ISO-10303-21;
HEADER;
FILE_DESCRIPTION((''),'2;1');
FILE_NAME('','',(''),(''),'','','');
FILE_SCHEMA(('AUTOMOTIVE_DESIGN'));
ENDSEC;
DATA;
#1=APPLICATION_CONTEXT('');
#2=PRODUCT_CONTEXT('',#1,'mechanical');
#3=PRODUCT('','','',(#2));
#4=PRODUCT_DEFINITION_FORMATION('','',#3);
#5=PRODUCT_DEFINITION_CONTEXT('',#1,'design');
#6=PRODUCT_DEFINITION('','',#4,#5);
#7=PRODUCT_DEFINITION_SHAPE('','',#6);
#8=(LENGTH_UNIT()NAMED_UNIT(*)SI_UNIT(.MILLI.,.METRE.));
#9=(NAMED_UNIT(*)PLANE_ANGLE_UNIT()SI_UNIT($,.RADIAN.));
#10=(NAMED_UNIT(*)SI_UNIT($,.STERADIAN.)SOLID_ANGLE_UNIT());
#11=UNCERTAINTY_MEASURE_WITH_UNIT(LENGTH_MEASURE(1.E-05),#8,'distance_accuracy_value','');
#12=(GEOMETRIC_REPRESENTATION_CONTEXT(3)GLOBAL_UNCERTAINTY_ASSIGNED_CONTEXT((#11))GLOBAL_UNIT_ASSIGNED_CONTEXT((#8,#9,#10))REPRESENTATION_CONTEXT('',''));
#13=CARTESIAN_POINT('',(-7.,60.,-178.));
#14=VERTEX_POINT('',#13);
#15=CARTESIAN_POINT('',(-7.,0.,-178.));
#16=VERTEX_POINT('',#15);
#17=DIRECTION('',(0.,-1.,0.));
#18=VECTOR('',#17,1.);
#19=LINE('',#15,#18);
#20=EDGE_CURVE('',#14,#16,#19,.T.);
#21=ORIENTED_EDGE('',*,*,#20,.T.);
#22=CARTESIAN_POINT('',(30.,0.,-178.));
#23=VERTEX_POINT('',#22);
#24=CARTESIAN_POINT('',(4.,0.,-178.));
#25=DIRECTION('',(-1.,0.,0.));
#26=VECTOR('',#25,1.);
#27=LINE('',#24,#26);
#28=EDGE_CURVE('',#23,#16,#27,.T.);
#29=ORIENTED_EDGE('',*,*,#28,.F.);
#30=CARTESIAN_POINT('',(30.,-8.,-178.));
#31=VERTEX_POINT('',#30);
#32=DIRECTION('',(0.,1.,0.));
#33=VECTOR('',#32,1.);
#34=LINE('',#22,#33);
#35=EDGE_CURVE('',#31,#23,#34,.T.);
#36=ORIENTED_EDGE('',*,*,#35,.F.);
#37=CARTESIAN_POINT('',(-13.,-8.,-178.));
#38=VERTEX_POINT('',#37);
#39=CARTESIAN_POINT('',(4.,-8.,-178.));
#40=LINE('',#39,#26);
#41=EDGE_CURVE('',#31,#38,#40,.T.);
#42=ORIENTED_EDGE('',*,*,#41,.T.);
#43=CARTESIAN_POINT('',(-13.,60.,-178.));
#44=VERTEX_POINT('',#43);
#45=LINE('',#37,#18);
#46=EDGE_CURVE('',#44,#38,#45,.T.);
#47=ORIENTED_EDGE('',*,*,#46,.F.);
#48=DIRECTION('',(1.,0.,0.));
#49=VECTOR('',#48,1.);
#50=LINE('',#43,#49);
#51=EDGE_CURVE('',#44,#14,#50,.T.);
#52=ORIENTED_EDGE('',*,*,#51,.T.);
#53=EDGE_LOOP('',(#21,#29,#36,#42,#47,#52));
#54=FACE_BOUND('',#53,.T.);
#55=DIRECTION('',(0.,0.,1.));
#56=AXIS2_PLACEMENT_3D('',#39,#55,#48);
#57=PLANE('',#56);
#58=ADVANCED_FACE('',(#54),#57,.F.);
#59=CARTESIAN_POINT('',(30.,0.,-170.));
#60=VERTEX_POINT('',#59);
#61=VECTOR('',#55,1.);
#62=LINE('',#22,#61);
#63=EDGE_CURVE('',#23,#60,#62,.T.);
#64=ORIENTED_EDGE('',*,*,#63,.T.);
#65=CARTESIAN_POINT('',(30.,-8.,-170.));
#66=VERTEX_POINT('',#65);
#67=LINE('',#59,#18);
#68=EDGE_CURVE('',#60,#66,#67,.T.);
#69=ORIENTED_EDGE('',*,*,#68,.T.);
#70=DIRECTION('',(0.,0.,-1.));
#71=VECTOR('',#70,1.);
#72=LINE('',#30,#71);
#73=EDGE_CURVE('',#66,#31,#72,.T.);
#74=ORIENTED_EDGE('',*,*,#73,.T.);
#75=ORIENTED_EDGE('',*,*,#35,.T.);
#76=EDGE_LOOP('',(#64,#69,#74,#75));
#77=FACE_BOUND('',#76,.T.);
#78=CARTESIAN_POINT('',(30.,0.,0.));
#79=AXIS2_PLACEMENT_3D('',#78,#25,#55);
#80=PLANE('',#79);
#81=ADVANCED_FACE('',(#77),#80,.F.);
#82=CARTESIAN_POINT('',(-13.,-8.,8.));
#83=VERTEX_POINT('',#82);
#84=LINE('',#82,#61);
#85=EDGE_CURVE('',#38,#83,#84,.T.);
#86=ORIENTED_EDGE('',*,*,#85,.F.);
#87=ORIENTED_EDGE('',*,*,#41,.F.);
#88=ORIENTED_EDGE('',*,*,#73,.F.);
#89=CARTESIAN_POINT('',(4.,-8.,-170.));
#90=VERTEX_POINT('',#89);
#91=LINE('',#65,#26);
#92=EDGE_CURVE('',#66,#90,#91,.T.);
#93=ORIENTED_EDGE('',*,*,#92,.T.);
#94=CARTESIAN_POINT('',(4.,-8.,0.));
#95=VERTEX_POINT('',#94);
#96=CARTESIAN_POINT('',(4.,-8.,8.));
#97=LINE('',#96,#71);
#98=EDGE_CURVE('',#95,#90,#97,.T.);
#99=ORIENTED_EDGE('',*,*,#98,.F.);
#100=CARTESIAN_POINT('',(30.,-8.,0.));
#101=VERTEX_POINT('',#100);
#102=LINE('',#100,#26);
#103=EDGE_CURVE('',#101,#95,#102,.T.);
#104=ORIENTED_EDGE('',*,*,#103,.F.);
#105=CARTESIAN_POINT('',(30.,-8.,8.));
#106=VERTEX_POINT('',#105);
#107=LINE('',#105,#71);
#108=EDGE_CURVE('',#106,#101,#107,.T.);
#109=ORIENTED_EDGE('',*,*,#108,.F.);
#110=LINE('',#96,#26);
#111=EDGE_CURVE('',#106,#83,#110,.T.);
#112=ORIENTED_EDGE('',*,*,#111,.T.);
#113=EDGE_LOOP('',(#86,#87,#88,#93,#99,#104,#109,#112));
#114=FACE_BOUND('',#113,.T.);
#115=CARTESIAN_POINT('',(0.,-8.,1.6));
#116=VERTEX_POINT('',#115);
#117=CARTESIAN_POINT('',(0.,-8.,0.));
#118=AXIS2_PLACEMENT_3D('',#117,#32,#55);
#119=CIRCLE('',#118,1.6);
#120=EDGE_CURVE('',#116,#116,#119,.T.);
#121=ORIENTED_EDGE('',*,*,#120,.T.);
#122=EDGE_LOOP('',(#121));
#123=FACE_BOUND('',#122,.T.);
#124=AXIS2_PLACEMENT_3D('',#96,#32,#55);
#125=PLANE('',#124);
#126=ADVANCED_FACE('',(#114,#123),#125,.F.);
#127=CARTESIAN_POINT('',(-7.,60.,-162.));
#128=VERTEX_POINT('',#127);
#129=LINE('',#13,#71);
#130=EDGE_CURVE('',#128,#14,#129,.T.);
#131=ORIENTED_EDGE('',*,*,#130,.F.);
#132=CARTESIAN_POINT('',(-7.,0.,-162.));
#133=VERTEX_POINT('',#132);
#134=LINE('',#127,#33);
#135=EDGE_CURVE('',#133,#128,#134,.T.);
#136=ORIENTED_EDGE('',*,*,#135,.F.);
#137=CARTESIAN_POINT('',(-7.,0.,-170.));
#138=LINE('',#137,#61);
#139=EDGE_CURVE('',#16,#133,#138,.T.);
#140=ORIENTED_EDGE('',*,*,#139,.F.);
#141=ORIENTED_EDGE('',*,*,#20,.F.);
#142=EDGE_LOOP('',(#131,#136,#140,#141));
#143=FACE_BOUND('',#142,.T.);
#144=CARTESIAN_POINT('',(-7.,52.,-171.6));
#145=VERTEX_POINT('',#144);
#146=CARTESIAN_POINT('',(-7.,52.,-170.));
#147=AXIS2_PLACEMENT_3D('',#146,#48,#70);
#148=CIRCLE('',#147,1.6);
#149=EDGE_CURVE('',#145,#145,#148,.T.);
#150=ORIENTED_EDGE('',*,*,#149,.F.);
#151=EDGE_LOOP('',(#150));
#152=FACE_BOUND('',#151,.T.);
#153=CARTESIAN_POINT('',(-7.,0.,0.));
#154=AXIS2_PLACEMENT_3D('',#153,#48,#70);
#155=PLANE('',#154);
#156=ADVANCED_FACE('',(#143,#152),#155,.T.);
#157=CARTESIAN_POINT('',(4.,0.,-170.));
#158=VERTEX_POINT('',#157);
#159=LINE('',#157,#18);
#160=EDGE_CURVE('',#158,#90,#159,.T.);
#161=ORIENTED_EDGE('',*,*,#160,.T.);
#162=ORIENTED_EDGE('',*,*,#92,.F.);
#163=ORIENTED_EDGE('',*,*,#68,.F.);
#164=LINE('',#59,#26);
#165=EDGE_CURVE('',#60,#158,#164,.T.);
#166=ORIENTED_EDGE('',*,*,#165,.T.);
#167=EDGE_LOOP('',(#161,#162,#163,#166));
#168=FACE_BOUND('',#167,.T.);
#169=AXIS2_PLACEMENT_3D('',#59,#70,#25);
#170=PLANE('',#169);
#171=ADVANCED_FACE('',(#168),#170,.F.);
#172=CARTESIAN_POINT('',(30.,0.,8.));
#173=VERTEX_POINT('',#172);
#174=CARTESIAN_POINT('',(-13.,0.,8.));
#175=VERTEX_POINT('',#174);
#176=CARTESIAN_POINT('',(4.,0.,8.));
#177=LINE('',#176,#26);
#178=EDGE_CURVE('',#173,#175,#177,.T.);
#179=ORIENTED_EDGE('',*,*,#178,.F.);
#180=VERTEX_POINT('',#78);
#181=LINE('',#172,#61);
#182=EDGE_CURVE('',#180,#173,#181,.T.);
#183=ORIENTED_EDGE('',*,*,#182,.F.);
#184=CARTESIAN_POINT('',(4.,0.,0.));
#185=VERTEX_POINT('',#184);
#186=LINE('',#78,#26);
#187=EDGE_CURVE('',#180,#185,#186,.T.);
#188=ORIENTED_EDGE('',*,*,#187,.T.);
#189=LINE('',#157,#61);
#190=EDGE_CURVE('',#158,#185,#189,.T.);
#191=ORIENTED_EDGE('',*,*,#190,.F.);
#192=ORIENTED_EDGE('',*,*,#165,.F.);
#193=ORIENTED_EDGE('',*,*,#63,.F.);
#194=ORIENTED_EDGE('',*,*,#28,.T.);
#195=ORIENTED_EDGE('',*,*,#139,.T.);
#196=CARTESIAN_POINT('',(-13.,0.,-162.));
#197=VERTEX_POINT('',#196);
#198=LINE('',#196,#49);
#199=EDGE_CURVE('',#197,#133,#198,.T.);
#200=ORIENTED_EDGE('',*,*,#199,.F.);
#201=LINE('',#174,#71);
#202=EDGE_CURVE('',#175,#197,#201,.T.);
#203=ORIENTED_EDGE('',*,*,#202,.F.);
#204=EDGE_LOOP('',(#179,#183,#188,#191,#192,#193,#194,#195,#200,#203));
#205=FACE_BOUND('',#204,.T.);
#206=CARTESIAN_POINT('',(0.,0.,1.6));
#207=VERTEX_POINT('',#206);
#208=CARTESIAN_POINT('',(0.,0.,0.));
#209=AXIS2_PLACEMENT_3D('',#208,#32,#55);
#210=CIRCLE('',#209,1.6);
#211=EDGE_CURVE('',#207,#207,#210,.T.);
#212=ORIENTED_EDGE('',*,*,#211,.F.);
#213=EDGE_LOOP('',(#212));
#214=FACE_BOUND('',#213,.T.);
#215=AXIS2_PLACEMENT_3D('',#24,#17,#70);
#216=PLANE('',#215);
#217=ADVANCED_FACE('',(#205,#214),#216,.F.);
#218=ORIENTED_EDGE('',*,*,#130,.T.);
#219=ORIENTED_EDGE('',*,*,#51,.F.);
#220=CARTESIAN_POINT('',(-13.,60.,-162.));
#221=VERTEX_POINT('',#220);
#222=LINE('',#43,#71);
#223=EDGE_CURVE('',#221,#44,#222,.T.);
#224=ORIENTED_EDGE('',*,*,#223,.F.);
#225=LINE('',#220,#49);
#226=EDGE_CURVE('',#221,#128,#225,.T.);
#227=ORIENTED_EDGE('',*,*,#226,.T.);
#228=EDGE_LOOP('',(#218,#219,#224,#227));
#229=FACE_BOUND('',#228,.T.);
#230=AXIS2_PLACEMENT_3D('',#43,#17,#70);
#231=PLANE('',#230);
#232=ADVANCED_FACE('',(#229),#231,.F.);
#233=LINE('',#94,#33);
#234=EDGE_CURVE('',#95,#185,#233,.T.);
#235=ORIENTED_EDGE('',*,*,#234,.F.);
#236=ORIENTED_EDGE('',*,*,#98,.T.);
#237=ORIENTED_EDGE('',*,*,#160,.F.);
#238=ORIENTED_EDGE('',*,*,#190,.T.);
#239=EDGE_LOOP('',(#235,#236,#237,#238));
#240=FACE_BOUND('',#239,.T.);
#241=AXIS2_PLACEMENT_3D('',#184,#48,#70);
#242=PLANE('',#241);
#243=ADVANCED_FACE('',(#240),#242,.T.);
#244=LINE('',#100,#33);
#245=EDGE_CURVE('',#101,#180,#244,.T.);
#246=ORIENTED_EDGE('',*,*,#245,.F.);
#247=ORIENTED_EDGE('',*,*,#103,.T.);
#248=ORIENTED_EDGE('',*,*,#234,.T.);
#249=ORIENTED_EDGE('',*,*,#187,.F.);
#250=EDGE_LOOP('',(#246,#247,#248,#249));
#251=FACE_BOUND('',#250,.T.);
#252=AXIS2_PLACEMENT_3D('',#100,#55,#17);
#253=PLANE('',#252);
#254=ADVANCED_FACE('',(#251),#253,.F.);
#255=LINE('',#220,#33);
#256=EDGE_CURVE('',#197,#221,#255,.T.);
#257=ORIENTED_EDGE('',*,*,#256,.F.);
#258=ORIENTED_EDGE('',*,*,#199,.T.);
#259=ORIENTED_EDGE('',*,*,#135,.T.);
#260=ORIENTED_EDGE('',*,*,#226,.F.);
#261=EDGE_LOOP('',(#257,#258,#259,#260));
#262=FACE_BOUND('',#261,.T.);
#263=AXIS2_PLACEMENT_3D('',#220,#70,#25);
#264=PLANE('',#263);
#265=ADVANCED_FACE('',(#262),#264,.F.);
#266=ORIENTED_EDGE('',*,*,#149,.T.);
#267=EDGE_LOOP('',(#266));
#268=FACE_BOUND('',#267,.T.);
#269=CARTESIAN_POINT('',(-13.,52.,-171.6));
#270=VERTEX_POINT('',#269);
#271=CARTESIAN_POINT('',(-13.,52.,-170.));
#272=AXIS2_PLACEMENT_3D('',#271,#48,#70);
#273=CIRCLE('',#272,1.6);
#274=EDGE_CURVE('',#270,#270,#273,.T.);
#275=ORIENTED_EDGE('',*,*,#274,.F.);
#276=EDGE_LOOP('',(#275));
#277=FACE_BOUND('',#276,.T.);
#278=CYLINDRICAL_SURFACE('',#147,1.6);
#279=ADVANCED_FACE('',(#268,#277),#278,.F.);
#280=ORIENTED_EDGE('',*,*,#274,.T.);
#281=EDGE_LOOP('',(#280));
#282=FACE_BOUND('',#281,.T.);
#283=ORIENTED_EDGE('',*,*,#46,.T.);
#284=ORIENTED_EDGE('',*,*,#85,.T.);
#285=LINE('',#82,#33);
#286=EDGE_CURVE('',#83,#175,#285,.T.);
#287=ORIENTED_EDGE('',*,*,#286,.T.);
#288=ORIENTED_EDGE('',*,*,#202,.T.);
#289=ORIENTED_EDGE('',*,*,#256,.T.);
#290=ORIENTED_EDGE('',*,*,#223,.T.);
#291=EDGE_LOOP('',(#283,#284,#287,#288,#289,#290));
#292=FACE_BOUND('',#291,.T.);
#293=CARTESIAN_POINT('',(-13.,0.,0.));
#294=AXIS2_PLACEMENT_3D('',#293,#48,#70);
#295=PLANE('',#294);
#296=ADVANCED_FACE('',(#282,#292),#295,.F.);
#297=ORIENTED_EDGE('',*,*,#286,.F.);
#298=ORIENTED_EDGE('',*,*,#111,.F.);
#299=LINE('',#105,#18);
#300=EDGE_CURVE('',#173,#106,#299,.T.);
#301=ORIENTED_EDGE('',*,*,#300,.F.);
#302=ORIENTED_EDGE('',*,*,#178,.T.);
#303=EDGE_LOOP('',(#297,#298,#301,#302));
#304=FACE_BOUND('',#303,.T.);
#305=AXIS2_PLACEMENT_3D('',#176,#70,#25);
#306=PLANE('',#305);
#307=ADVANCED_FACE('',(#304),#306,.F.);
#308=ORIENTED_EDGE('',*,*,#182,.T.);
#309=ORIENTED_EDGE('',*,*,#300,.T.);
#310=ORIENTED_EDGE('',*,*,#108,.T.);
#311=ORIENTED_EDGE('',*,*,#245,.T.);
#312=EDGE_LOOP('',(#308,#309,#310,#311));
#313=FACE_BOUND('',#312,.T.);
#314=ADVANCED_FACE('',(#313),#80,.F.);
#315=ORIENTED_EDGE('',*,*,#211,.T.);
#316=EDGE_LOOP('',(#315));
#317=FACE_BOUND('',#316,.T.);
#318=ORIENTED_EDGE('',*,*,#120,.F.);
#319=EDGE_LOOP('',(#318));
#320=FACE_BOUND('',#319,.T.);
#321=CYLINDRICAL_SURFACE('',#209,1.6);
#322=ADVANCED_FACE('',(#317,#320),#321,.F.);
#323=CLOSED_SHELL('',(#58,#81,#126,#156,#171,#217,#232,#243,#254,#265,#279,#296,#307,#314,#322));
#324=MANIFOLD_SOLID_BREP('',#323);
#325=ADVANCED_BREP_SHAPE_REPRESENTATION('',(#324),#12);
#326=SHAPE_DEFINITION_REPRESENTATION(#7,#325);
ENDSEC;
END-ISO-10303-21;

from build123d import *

# Parameters (mm, degrees)
BOSS_EXTRUDE1_DEPTH  = 4
SKETCH2_W            = 8
SKETCH2_H            = 8
BOSS_EXTRUDE2_DEPTH  = 26
BOSS_EXTRUDE3_DEPTH  = 7
BOSS_EXTRUDE4_DEPTH  = 6
M3_CLEARANCE_HOLE1_D = 3.2
M3_CLEARANCE_HOLE2_D = 3.2


with BuildPart() as part:
    # Sketch1 → Boss-Extrude1 (new body)
    with BuildSketch(Plane(origin=(0, 0, 0), x_dir=(0, 0, -1), z_dir=(1, 0, 0))):
        Polygon((0, 0), (-8, 0), (-8, -8), (178, -8), (178, 0), (170, 0), align=None)
    extrude(amount=BOSS_EXTRUDE1_DEPTH)

    # Sketch2 → Boss-Extrude2 (add)
    with BuildSketch(Plane(origin=(4, 0, 0), x_dir=(0, 0, -1), z_dir=(1, 0, 0))):
        with Locations((-4, -4)):
            Rectangle(SKETCH2_W, SKETCH2_H)
        with Locations((174, -4)):
            Rectangle(SKETCH2_W, SKETCH2_H)
    extrude(amount=BOSS_EXTRUDE2_DEPTH)

    # Sketch1<2> → Boss-Extrude3 (add)
    with BuildSketch(Plane(origin=(0, 0, 0), x_dir=(0, 0, -1), z_dir=(1, 0, 0))):
        Polygon((0, 0), (-8, 0), (-8, -8), (178, -8), (178, 0), (170, 0), align=None)
    extrude(amount=-BOSS_EXTRUDE3_DEPTH)

    # Sketch4 → Boss-Extrude4 (add)
    with BuildSketch(Plane.ZY.offset(7)):
        Polygon((-178, 0), (-178, 60), (-162, 60), (-162, 0), (8, 0), (8, -8), (-178, -8), align=None)
    extrude(amount=BOSS_EXTRUDE4_DEPTH)

    # M3 Clearance Hole1 (through all)
    with Locations(Plane.ZX):
        with Locations((0, 0)):
            Hole(M3_CLEARANCE_HOLE1_D / 2)

    # M3 Clearance Hole2 (through all)
    with Locations(Plane(origin=(-7, 52, -170), x_dir=(0, 0, 1), z_dir=(1, 0, 0))):
        with Locations((0, 0)):
            Hole(M3_CLEARANCE_HOLE2_D / 2)


solid = part.part
